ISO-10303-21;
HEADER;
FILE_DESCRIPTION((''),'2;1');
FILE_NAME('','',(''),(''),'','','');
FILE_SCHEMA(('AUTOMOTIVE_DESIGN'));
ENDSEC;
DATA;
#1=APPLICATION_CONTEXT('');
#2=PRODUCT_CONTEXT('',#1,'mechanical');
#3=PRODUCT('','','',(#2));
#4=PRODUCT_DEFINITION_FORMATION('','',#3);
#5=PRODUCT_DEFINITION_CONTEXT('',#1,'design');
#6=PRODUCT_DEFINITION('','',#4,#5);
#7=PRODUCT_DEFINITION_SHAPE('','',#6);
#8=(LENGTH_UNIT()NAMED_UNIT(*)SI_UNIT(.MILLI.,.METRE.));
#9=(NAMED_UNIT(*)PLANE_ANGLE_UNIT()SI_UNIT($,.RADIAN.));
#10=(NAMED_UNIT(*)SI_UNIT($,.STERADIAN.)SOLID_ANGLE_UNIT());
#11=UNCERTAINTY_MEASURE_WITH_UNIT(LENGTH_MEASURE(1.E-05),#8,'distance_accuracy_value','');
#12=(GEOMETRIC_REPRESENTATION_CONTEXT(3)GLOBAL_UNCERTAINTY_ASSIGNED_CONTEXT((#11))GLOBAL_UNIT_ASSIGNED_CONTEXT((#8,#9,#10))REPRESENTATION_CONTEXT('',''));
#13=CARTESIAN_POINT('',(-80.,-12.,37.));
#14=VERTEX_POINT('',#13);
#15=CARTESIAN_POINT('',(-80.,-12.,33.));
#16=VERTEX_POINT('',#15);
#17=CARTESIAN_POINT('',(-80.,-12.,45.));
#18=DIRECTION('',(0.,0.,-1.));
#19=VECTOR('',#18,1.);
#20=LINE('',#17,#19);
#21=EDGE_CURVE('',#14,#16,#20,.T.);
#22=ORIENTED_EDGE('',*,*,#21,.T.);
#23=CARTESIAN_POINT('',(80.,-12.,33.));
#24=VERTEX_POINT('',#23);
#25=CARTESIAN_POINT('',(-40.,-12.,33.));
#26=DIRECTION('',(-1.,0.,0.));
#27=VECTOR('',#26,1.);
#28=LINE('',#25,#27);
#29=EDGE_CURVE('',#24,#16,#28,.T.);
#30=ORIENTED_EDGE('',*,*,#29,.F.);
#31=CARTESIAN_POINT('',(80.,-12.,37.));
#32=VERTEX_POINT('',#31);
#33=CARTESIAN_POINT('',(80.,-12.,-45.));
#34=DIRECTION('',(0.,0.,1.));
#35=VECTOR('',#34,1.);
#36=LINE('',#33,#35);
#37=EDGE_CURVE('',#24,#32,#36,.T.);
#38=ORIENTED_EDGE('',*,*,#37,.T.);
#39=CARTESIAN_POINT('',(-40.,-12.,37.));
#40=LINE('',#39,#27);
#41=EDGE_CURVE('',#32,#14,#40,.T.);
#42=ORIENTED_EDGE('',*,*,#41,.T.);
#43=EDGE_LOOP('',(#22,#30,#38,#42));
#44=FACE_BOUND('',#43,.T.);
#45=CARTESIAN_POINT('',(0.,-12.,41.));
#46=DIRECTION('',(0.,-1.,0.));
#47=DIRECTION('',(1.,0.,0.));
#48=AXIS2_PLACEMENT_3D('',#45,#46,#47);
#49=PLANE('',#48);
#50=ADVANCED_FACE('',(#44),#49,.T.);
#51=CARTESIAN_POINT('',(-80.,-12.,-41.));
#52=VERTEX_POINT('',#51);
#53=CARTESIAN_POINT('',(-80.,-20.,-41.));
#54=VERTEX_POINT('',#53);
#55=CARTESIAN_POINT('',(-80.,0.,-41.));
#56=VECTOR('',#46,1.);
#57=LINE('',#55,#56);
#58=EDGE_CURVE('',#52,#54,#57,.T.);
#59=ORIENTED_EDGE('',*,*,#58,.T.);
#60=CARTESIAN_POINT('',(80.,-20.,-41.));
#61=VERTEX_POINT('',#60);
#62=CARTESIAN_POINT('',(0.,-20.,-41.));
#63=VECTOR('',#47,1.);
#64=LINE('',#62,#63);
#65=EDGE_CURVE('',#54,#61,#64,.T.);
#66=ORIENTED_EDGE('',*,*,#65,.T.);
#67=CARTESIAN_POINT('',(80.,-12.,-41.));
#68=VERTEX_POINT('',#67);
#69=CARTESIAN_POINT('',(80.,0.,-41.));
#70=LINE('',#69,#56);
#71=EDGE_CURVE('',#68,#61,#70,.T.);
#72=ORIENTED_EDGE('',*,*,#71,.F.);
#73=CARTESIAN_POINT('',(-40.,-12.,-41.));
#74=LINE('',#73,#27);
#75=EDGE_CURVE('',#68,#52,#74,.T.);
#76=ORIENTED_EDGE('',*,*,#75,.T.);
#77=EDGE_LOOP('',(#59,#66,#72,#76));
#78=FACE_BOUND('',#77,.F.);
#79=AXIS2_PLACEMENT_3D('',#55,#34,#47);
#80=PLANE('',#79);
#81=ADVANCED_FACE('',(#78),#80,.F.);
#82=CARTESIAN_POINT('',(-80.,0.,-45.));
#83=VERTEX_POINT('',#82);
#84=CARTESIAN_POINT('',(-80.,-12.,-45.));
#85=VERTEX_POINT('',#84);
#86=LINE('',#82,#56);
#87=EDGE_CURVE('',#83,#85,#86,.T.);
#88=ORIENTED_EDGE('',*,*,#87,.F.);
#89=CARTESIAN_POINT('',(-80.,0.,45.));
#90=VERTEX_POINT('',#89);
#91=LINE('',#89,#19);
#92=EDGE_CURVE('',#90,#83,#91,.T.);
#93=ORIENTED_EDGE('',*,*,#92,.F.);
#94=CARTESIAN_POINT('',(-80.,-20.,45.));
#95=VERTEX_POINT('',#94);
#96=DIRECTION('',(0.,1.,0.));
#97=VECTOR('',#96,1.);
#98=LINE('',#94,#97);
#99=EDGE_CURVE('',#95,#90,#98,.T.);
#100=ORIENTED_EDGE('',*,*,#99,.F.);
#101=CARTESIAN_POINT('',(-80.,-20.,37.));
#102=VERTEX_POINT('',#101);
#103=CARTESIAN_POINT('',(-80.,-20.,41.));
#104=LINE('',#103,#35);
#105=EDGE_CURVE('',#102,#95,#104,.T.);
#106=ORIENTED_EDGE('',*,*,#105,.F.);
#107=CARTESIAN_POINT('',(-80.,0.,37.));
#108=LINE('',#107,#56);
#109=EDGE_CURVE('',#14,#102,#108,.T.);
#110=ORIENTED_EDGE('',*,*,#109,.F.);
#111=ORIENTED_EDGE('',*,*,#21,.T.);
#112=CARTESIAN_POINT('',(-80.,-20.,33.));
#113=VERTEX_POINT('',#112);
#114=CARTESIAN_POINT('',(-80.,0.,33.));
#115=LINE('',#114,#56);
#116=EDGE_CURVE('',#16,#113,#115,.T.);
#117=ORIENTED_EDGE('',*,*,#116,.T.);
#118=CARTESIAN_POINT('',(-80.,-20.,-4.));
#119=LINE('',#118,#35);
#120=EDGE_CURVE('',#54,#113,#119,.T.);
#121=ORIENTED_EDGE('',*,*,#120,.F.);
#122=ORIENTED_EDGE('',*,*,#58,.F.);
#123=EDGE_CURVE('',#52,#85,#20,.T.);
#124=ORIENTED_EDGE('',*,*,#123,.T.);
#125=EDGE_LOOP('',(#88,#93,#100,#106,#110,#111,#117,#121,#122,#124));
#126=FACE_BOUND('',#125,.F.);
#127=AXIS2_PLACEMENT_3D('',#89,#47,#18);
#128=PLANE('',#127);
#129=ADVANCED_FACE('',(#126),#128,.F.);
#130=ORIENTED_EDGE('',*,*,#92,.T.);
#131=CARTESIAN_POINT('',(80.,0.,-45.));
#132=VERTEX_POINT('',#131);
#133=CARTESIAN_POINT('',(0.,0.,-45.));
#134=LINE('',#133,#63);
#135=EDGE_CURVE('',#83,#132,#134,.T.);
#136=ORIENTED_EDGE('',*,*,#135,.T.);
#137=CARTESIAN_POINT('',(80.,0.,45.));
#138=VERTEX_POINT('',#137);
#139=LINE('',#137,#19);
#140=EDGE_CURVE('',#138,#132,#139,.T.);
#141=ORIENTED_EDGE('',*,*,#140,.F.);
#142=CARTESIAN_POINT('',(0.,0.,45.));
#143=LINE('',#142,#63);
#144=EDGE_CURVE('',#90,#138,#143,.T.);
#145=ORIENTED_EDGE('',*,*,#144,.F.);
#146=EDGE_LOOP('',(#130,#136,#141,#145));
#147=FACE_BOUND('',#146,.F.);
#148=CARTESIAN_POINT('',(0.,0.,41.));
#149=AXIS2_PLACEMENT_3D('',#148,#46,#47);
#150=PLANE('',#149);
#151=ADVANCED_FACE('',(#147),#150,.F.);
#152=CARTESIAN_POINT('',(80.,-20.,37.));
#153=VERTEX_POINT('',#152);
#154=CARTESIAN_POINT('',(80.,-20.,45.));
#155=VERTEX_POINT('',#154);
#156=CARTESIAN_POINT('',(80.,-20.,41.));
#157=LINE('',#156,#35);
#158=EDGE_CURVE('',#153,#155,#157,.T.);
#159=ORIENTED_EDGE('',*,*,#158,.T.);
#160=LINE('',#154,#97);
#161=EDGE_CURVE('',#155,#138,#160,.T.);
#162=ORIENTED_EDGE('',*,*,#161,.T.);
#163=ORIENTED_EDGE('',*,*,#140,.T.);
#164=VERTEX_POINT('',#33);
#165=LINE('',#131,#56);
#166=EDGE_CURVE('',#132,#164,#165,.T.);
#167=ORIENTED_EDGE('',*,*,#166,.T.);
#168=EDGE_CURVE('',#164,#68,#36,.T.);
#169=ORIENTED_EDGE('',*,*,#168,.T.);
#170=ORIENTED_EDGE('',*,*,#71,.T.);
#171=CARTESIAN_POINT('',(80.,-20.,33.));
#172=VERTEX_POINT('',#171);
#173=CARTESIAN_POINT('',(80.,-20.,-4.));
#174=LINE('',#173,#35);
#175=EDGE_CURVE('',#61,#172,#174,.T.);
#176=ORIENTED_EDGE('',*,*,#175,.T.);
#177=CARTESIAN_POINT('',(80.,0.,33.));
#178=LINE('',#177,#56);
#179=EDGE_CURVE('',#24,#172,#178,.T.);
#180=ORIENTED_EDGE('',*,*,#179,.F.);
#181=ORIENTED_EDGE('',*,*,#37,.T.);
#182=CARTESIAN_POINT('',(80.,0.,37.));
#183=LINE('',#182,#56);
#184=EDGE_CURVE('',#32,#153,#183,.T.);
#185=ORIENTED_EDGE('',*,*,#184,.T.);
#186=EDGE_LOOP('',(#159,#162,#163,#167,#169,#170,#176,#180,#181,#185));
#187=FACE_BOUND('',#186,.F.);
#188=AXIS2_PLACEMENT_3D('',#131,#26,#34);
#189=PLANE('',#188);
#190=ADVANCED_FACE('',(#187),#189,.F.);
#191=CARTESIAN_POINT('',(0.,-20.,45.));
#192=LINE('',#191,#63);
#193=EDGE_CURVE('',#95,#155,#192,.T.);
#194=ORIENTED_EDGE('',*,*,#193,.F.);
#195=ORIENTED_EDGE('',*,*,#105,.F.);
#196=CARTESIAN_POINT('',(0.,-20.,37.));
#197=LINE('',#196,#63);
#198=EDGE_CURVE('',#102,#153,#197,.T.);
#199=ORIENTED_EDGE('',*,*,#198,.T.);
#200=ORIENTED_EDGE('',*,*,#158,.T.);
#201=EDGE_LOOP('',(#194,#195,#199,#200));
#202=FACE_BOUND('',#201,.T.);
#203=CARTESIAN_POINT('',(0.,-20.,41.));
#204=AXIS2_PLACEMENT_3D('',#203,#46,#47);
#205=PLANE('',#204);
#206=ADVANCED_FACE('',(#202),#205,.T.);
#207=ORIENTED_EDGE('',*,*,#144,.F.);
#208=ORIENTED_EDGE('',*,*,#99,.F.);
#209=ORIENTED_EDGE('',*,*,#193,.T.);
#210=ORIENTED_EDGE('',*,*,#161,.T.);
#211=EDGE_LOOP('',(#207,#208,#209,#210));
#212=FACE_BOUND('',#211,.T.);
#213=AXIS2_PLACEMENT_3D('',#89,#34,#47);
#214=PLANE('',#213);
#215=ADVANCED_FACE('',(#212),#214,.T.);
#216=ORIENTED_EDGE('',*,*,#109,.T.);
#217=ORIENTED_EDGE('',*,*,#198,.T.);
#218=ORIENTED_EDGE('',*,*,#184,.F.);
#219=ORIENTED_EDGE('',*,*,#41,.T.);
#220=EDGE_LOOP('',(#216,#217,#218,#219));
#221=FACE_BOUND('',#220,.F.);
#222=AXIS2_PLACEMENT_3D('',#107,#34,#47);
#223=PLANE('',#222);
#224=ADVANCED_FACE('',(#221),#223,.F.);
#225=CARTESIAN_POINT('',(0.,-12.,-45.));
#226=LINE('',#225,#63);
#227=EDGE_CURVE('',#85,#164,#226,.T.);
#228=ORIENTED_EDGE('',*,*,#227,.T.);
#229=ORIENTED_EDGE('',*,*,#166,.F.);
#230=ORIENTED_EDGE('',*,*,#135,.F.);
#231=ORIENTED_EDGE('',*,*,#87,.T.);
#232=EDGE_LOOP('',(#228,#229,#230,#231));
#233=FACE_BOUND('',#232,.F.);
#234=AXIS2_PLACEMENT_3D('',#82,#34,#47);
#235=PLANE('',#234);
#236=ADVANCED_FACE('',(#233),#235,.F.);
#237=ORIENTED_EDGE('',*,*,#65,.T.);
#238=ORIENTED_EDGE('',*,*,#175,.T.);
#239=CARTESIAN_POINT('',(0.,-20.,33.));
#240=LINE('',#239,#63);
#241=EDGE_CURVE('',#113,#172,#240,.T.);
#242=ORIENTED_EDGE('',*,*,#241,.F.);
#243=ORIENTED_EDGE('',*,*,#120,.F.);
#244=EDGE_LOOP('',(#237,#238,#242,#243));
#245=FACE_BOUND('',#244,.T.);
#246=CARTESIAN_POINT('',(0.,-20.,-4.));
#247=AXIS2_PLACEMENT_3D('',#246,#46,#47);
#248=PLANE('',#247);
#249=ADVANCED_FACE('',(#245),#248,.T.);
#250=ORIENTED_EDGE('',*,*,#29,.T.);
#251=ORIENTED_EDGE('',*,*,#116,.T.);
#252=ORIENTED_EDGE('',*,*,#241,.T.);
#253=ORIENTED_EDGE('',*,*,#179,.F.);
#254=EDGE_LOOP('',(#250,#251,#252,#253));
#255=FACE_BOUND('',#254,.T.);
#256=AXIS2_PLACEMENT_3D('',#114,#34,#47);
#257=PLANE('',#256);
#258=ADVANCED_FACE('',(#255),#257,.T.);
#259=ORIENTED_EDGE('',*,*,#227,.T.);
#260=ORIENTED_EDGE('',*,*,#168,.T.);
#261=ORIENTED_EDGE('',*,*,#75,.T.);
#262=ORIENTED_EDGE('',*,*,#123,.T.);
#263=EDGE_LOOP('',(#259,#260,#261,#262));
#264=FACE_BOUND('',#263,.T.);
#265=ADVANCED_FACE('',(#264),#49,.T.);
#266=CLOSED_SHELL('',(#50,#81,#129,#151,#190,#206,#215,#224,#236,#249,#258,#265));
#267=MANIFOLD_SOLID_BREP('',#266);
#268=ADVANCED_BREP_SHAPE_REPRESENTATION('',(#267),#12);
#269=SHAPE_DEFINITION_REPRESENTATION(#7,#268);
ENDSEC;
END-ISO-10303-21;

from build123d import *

# Parameters (mm, degrees)
F0_W     = 160
F0_H     = 8
F0_H_2   = 4
F0_H_3   = 74
F1_DEPTH = 12
F2_DEPTH = 20


with BuildPart() as f1:
    # F0 (on Front) → F1 (new body)
    with BuildSketch(Plane.XZ):
        with Locations((0, 41)):
            Rectangle(F0_W, F0_H)
        with Locations((0, 35)):
            Rectangle(F0_W, F0_H_2)
        with Locations((0, -4)):
            Rectangle(F0_W, F0_H_3)
        with Locations((0, -43)):
            Rectangle(F0_W, F0_H_2)
    extrude(amount=F1_DEPTH)

    # F0 (on Front) → F2 (join)
    with BuildSketch(Plane.XZ):
        with Locations((0, 41)):
            Rectangle(F0_W, F0_H)
        with Locations((0, -4)):
            Rectangle(F0_W, F0_H_3)
    extrude(amount=F2_DEPTH)


solid = f1.part
